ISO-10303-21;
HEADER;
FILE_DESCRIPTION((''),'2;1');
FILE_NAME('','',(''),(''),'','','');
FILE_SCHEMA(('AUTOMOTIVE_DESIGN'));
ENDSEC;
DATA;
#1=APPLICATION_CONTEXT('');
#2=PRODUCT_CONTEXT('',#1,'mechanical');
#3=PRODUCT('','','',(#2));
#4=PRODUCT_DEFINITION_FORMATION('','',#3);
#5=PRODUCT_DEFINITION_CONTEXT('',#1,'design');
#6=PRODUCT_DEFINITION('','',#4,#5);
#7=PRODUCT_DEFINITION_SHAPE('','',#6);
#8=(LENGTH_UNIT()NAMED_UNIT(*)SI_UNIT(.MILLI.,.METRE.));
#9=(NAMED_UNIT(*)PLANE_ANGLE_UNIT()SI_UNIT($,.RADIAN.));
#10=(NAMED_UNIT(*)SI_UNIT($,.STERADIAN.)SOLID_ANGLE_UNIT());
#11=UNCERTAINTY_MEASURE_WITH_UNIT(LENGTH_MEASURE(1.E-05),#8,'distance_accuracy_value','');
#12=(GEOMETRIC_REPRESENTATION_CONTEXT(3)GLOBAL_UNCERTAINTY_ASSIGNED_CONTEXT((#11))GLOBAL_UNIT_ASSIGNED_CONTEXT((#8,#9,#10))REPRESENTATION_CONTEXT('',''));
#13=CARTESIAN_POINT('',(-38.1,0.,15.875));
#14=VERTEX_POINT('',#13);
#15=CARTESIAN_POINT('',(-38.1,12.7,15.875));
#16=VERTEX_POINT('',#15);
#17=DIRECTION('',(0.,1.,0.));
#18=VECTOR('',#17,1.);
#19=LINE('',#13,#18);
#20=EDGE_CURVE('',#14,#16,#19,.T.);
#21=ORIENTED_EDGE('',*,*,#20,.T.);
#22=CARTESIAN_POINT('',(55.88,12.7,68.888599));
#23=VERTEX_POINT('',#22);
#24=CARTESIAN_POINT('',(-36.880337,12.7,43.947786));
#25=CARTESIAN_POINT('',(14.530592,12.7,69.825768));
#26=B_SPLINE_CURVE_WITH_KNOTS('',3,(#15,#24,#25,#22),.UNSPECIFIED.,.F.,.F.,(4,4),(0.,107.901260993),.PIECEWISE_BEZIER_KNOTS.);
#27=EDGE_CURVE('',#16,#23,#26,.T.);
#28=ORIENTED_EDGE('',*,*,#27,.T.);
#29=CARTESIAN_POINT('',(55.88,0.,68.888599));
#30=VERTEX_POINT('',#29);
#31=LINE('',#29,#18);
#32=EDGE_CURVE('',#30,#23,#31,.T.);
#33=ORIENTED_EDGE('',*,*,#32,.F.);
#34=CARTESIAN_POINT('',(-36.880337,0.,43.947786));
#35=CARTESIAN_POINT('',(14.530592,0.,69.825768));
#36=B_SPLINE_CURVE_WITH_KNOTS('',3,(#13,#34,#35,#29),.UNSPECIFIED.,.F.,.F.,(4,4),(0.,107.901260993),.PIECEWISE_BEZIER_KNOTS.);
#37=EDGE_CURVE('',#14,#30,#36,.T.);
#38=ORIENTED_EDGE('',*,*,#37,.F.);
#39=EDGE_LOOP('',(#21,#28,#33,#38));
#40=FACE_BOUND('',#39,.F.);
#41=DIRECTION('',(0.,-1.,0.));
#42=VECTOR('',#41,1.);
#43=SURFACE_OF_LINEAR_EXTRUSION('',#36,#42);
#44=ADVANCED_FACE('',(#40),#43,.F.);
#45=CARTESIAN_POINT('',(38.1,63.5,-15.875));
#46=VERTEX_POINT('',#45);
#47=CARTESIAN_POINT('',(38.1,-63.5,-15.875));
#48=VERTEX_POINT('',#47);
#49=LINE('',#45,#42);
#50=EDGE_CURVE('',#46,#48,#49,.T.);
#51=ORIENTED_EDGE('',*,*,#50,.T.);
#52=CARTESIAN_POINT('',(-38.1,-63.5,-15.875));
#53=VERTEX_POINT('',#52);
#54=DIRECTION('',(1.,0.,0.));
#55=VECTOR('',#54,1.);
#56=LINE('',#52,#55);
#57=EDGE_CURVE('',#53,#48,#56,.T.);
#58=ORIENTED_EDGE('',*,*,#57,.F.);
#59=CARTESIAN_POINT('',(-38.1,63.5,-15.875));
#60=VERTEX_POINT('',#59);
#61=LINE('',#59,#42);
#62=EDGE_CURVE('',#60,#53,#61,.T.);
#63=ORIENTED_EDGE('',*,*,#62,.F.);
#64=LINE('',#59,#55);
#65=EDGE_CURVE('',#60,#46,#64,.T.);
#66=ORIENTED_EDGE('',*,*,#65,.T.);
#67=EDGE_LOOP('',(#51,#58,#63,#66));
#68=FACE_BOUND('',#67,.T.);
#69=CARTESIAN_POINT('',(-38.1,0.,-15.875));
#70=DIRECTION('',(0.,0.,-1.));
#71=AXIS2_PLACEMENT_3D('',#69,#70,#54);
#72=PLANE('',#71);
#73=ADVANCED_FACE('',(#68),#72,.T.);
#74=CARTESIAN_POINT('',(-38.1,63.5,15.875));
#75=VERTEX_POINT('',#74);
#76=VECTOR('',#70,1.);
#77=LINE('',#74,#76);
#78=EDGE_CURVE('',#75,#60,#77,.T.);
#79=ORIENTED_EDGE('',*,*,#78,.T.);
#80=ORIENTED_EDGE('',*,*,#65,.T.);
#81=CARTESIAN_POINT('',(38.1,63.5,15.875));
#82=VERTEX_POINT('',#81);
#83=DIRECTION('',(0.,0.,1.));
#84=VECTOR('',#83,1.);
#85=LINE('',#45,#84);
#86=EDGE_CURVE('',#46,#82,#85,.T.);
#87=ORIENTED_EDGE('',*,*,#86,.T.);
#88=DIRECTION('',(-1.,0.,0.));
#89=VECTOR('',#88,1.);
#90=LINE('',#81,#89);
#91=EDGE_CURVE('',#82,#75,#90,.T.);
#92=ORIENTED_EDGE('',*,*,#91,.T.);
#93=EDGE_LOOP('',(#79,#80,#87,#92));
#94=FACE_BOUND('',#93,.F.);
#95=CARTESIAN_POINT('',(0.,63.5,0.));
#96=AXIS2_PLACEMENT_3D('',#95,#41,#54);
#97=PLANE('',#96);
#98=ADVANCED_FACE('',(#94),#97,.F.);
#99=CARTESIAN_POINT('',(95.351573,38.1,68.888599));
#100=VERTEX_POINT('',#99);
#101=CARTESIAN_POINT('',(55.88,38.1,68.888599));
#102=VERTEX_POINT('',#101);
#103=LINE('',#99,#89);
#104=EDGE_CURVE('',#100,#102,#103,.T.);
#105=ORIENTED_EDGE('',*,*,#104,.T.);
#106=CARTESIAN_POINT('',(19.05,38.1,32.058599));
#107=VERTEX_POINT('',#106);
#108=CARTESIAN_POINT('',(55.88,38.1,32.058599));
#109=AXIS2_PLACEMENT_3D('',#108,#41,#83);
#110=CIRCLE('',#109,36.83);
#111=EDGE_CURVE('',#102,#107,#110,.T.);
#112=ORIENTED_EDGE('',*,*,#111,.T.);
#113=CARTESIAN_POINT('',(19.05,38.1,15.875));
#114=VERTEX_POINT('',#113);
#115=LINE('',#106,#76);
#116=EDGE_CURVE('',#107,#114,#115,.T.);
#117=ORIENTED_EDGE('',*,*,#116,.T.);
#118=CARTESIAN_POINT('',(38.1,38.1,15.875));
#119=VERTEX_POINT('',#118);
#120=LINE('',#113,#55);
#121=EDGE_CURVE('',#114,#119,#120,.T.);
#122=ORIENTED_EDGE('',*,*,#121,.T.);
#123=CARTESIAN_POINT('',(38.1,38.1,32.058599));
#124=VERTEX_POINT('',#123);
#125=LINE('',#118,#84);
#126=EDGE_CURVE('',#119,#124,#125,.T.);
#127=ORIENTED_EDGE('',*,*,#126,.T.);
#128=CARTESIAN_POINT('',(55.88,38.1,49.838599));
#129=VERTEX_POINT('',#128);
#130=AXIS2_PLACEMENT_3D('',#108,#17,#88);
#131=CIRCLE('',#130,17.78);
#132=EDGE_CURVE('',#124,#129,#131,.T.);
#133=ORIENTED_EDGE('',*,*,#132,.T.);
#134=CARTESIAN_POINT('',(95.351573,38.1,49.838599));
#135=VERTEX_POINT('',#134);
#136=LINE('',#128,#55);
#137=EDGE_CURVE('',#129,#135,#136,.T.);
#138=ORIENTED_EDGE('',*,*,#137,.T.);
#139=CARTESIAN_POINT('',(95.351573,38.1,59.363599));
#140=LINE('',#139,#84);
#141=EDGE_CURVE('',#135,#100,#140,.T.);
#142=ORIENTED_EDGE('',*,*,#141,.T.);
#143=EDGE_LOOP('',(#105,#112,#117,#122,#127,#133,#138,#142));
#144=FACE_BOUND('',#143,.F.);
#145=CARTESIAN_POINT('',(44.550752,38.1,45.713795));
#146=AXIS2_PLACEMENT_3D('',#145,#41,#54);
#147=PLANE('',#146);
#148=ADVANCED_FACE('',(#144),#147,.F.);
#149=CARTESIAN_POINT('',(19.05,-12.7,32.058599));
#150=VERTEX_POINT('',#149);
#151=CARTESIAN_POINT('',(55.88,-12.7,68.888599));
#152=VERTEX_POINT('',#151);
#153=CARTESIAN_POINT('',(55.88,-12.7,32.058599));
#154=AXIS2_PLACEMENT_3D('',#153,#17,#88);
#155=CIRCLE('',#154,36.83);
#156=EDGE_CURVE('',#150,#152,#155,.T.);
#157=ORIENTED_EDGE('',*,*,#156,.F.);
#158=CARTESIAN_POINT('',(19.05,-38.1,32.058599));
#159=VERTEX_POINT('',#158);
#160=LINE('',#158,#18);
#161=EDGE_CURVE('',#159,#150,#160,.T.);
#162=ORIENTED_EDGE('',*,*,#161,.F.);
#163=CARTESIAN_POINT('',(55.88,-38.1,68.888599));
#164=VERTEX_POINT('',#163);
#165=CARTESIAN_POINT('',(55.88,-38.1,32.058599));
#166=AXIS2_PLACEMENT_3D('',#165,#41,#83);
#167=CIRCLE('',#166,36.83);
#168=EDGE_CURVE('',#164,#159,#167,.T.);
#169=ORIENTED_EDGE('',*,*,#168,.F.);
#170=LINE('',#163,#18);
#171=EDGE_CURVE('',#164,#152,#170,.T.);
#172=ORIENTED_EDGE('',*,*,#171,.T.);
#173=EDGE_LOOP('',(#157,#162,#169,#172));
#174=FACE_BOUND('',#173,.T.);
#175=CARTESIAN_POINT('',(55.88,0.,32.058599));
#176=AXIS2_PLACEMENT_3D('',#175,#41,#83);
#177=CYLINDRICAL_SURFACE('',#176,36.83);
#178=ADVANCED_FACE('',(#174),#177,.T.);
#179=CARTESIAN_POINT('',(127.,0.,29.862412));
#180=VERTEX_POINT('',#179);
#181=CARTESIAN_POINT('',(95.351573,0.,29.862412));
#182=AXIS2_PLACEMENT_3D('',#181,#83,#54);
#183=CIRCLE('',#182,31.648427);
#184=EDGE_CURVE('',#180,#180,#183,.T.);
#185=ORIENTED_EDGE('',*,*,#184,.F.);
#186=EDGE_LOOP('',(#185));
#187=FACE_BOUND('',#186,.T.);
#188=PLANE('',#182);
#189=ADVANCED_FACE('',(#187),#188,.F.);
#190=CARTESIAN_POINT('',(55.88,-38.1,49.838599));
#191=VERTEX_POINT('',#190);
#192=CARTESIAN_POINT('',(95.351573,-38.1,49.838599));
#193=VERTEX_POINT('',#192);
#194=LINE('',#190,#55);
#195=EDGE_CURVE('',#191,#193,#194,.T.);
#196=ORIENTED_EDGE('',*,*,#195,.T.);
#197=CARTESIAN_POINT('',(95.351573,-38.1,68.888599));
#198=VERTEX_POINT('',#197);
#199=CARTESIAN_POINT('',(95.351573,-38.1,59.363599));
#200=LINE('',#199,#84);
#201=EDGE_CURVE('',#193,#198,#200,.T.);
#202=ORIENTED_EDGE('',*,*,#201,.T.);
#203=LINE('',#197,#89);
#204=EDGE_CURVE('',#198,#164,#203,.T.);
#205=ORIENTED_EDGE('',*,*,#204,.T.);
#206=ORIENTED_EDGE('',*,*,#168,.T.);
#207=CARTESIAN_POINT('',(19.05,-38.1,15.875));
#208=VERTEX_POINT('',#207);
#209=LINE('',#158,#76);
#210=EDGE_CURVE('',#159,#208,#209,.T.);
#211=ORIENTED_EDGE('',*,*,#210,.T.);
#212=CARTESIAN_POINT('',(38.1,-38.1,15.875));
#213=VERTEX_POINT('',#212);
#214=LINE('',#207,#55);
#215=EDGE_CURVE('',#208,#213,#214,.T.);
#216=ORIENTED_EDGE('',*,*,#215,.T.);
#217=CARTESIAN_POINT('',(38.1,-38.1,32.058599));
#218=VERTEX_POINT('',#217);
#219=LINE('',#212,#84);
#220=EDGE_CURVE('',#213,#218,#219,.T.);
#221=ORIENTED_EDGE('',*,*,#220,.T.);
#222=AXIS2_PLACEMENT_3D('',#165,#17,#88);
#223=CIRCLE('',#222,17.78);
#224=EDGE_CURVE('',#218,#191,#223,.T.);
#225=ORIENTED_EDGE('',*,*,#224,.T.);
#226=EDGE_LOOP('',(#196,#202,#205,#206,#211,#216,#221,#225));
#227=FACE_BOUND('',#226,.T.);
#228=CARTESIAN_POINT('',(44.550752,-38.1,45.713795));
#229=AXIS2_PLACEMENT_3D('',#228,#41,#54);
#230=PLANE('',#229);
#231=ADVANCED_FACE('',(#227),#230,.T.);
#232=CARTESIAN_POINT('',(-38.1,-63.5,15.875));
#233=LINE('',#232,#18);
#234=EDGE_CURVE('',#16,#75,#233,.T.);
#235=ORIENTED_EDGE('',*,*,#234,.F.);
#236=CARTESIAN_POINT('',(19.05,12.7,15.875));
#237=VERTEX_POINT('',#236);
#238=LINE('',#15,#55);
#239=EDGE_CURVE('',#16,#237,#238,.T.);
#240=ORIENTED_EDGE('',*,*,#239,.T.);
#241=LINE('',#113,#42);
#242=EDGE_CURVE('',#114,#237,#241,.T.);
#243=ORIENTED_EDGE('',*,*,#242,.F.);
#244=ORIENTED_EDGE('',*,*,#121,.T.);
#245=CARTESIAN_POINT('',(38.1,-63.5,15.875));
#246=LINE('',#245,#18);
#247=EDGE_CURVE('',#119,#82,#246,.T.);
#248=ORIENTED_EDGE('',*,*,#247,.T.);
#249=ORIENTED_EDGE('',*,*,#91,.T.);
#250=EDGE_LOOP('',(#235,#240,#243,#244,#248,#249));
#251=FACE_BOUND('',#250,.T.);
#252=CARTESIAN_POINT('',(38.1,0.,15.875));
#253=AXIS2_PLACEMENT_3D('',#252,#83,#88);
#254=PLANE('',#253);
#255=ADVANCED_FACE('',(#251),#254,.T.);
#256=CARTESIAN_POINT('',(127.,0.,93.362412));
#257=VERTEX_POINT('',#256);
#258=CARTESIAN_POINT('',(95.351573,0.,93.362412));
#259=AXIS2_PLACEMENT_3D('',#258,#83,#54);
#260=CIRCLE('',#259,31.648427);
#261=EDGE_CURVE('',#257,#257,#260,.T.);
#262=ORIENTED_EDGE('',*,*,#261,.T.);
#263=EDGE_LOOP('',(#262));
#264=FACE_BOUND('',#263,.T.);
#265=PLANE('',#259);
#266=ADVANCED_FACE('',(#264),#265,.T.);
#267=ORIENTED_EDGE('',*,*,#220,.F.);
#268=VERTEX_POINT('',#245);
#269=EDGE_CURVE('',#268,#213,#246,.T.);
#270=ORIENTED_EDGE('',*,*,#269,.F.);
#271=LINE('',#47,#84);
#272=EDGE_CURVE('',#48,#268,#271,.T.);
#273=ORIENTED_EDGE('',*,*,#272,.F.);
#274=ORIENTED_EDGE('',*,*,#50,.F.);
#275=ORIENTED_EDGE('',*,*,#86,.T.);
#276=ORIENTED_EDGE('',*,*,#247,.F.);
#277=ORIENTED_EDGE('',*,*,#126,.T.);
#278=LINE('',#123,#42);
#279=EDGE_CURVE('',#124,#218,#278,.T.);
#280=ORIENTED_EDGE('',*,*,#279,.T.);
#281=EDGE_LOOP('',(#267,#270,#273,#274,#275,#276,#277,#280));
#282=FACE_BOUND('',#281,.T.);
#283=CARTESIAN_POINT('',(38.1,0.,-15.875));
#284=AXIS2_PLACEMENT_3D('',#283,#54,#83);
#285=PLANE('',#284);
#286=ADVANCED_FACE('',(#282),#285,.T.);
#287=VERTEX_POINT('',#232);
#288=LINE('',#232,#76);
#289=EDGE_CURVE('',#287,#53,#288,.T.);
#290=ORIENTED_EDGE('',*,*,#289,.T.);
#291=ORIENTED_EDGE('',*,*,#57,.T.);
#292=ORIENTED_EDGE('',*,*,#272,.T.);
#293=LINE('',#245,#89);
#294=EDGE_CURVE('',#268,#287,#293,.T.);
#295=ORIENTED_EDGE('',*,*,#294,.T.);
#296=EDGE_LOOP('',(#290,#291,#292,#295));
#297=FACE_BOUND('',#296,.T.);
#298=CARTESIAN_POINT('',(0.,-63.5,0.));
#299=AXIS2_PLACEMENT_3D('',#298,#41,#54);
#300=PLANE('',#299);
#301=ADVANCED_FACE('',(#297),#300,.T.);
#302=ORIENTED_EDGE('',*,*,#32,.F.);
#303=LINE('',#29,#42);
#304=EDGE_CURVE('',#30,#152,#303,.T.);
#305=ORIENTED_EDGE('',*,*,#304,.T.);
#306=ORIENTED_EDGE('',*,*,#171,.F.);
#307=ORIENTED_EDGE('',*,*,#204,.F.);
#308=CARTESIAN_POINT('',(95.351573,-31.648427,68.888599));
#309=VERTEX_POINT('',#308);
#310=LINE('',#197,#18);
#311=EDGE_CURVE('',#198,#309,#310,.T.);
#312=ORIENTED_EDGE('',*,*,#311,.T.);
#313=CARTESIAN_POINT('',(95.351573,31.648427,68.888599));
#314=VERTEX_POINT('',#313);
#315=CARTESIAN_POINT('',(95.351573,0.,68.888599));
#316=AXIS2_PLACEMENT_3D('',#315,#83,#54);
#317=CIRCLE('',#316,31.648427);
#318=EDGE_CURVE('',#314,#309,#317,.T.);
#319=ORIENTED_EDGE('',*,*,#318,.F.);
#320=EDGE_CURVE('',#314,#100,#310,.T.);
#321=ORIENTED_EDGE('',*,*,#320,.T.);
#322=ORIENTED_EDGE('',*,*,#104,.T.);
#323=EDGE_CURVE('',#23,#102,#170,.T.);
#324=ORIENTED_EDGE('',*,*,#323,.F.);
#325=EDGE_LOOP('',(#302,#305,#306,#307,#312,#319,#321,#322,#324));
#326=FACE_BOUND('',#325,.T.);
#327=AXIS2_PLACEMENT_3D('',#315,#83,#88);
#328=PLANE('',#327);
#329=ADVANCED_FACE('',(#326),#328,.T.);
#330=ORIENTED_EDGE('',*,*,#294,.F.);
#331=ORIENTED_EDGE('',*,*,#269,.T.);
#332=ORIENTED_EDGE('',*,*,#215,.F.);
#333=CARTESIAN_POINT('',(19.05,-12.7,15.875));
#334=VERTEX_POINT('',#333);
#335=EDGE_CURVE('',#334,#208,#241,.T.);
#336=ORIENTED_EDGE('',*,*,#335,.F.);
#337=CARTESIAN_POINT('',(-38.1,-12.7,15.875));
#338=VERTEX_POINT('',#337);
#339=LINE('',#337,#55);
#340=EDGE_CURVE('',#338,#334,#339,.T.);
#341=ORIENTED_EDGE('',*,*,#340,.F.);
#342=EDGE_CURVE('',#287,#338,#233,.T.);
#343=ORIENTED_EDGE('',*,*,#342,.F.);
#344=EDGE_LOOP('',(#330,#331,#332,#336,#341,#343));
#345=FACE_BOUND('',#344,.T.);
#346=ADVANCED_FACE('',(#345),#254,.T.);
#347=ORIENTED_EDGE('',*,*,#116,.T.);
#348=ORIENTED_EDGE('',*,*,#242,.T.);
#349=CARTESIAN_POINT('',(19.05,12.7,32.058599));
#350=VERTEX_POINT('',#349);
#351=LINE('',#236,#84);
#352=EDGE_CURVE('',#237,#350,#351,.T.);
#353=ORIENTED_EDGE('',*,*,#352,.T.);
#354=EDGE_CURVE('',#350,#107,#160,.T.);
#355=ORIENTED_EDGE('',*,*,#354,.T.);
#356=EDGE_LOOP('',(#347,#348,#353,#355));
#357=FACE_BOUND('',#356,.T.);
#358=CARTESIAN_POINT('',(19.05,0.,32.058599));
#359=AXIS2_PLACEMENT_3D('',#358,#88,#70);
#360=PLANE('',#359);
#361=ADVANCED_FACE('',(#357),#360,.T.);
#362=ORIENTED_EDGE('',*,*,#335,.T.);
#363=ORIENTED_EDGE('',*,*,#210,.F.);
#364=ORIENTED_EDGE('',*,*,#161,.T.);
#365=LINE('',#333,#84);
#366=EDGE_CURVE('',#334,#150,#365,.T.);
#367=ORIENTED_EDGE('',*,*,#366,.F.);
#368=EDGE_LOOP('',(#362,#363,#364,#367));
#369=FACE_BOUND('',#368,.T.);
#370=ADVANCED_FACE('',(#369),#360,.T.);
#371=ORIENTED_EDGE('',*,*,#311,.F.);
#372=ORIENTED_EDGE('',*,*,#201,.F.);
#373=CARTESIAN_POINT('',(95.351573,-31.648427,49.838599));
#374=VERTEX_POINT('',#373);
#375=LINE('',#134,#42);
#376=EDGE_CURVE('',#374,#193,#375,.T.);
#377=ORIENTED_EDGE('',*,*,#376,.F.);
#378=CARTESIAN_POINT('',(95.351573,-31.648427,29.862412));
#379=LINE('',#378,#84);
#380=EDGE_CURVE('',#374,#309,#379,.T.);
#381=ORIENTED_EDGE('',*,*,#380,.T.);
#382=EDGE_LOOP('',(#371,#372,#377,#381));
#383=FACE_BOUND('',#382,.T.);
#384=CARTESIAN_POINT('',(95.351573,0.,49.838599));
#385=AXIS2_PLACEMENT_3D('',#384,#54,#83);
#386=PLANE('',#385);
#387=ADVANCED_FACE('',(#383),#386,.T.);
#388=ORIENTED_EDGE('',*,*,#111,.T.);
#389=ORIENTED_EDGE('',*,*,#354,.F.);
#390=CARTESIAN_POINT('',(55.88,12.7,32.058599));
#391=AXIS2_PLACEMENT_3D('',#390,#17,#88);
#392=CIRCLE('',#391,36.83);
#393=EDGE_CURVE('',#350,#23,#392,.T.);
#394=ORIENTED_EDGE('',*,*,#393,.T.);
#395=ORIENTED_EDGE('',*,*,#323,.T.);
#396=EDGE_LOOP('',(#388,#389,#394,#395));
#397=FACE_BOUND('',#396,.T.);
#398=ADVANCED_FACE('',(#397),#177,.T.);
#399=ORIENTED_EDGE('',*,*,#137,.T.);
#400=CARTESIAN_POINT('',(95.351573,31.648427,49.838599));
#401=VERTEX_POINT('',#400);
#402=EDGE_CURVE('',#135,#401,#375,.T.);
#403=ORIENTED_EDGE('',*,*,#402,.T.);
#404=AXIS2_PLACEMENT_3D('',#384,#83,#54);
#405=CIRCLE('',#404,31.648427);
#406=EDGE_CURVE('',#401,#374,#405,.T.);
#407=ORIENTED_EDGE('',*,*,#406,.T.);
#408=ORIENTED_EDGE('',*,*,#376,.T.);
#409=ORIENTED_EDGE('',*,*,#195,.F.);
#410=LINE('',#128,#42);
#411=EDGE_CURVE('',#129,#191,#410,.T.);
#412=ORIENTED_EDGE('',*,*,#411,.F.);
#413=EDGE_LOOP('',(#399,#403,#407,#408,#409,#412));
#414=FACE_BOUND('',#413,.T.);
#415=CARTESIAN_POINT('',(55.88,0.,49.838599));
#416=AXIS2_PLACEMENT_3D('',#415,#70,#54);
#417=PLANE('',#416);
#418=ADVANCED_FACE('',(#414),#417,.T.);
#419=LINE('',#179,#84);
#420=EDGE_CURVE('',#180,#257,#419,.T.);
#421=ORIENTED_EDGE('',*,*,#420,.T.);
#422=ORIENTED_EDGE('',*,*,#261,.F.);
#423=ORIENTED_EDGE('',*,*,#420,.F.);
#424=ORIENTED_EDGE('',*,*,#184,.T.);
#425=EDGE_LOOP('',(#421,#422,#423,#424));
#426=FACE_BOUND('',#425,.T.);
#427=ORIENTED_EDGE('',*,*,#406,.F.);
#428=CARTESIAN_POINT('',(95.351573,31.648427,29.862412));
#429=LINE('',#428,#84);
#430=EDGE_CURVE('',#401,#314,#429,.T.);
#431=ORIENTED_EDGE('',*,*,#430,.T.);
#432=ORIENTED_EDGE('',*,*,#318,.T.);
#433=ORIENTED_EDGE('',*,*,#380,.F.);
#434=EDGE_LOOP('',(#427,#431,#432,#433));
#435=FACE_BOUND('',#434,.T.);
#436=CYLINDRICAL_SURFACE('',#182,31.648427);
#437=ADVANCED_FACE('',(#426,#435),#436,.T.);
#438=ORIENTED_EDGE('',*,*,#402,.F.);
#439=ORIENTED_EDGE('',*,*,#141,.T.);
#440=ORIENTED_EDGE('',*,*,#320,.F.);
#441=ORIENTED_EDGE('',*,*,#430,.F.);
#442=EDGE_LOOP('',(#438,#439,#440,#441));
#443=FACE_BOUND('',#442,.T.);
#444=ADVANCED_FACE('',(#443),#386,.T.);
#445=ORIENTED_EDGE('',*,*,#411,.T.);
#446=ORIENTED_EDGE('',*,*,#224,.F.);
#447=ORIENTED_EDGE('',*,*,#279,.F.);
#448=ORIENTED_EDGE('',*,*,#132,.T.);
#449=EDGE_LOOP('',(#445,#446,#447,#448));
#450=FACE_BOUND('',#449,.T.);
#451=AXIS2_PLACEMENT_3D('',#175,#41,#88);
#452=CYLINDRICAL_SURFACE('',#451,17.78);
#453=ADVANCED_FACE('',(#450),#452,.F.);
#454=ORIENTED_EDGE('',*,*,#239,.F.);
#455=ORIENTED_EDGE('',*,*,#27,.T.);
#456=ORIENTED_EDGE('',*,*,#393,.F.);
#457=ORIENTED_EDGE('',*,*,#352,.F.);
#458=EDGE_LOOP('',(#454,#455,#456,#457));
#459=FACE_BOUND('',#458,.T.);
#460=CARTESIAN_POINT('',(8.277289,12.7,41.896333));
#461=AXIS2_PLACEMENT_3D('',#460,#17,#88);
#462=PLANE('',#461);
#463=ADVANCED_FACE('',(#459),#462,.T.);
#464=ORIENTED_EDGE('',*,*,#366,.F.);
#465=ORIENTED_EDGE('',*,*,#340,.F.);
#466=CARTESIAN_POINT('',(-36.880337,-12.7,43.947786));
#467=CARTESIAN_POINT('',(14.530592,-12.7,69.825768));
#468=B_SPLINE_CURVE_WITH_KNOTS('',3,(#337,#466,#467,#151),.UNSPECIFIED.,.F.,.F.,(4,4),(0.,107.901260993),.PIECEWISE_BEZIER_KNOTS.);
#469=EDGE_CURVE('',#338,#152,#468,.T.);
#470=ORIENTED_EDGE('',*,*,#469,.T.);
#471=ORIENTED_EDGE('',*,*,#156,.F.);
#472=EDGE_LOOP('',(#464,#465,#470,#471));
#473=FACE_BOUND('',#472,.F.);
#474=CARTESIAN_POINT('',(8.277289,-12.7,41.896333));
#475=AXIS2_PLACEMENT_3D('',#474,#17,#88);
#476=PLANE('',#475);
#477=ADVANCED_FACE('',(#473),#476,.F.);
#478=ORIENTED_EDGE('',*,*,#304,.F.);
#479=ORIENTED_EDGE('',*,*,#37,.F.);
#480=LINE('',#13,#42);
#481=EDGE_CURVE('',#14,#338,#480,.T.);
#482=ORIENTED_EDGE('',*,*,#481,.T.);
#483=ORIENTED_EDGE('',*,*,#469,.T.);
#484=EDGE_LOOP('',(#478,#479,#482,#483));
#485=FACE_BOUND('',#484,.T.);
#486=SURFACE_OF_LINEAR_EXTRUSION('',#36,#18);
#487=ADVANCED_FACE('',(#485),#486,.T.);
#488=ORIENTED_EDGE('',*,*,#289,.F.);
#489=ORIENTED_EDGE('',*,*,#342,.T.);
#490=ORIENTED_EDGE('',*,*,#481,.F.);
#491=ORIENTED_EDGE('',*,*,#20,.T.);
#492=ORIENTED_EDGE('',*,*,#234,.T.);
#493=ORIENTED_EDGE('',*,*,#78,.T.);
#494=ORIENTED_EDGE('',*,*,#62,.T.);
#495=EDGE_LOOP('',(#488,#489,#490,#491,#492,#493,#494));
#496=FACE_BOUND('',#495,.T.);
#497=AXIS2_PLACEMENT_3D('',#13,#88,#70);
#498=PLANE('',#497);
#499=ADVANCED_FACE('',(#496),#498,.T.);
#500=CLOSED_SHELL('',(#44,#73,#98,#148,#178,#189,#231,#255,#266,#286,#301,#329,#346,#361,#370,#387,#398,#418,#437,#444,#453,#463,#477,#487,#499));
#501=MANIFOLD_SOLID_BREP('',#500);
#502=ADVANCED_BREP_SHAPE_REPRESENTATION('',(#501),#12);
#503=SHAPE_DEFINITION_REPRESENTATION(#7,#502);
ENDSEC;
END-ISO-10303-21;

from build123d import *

# Parameters (mm, degrees)
F1_DEPTH = 63.5
F0_W     = 19.151572957
F0_H     = 19.05
F2_DEPTH = 38.1
F3_DEPTH = 12.7


with BuildPart() as f1:
    # F0 (on Front) → F1 (new body, symmetric)
    with BuildSketch(Plane.XZ):
        Polygon((19.05, 15.875), (-38.1, 15.875), (-38.1, -15.875), (38.1, -15.875), (38.1, 15.875), align=None)
    extrude(amount=F1_DEPTH, both=True)

    # F0 (on Front) → F2 (join, symmetric)
    with BuildSketch(Plane.XZ):
        with BuildLine():
            Line((19.05, 32.0585994233), (19.05, 15.875))
            Line((19.05, 15.875), (38.1, 15.875))
            Line((38.1, 15.875), (38.1, 32.0585994233))
            ThreePointArc((38.1, 32.0585994233), (43.3076414305, 44.6309579928), (55.88, 49.8385994233))
            Line((55.88, 49.8385994233), (76.2, 49.8385994233))
            Line((76.2, 49.8385994233), (76.2, 68.8885994233))
            Line((76.2, 68.8885994233), (55.88, 68.8885994233))
            ThreePointArc((55.88, 68.8885994233), (29.8372572489, 58.1013421744), (19.05, 32.0585994233))
        make_face()
        with Locations((85.7757864785, 59.3635994233)):
            Rectangle(F0_W, F0_H)
    extrude(amount=F2_DEPTH, both=True)

    # F0 (on Front) → F3 (join, symmetric)
    with BuildSketch(Plane.XZ):
        with BuildLine():
            add(Edge.make_bspline(
                [(-38.1, 15.875), (-36.8803367019, 43.9477860928), (14.5305916667, 69.8257684708), (55.88, 68.8885994233)],
                knots=[0, 0, 0, 0, 107.9012609927, 107.9012609927, 107.9012609927, 107.9012609927], degree=3))
            Line((-38.1, 15.875), (19.05, 15.875))
            Line((19.05, 15.875), (19.05, 32.0585994233))
            ThreePointArc((19.05, 32.0585994233), (29.8372572489, 58.1013421744), (55.88, 68.8885994233))
        make_face()
    extrude(amount=F3_DEPTH, both=True)

    # F0 (on Front) → F4 (revolve)
    with BuildSketch(Plane.XZ):
        Polygon((95.351572957, 93.3624118266), (95.351572957, 68.8885994233), (95.351572957, 49.8385994233), (95.351572957, 29.8624118266), (127, 29.8624118266), (127, 93.3624118266), align=None)
    revolve(axis=Axis((95.351572957, 0, 61.6124118266), (0, 0, 1)))


solid = f1.part
